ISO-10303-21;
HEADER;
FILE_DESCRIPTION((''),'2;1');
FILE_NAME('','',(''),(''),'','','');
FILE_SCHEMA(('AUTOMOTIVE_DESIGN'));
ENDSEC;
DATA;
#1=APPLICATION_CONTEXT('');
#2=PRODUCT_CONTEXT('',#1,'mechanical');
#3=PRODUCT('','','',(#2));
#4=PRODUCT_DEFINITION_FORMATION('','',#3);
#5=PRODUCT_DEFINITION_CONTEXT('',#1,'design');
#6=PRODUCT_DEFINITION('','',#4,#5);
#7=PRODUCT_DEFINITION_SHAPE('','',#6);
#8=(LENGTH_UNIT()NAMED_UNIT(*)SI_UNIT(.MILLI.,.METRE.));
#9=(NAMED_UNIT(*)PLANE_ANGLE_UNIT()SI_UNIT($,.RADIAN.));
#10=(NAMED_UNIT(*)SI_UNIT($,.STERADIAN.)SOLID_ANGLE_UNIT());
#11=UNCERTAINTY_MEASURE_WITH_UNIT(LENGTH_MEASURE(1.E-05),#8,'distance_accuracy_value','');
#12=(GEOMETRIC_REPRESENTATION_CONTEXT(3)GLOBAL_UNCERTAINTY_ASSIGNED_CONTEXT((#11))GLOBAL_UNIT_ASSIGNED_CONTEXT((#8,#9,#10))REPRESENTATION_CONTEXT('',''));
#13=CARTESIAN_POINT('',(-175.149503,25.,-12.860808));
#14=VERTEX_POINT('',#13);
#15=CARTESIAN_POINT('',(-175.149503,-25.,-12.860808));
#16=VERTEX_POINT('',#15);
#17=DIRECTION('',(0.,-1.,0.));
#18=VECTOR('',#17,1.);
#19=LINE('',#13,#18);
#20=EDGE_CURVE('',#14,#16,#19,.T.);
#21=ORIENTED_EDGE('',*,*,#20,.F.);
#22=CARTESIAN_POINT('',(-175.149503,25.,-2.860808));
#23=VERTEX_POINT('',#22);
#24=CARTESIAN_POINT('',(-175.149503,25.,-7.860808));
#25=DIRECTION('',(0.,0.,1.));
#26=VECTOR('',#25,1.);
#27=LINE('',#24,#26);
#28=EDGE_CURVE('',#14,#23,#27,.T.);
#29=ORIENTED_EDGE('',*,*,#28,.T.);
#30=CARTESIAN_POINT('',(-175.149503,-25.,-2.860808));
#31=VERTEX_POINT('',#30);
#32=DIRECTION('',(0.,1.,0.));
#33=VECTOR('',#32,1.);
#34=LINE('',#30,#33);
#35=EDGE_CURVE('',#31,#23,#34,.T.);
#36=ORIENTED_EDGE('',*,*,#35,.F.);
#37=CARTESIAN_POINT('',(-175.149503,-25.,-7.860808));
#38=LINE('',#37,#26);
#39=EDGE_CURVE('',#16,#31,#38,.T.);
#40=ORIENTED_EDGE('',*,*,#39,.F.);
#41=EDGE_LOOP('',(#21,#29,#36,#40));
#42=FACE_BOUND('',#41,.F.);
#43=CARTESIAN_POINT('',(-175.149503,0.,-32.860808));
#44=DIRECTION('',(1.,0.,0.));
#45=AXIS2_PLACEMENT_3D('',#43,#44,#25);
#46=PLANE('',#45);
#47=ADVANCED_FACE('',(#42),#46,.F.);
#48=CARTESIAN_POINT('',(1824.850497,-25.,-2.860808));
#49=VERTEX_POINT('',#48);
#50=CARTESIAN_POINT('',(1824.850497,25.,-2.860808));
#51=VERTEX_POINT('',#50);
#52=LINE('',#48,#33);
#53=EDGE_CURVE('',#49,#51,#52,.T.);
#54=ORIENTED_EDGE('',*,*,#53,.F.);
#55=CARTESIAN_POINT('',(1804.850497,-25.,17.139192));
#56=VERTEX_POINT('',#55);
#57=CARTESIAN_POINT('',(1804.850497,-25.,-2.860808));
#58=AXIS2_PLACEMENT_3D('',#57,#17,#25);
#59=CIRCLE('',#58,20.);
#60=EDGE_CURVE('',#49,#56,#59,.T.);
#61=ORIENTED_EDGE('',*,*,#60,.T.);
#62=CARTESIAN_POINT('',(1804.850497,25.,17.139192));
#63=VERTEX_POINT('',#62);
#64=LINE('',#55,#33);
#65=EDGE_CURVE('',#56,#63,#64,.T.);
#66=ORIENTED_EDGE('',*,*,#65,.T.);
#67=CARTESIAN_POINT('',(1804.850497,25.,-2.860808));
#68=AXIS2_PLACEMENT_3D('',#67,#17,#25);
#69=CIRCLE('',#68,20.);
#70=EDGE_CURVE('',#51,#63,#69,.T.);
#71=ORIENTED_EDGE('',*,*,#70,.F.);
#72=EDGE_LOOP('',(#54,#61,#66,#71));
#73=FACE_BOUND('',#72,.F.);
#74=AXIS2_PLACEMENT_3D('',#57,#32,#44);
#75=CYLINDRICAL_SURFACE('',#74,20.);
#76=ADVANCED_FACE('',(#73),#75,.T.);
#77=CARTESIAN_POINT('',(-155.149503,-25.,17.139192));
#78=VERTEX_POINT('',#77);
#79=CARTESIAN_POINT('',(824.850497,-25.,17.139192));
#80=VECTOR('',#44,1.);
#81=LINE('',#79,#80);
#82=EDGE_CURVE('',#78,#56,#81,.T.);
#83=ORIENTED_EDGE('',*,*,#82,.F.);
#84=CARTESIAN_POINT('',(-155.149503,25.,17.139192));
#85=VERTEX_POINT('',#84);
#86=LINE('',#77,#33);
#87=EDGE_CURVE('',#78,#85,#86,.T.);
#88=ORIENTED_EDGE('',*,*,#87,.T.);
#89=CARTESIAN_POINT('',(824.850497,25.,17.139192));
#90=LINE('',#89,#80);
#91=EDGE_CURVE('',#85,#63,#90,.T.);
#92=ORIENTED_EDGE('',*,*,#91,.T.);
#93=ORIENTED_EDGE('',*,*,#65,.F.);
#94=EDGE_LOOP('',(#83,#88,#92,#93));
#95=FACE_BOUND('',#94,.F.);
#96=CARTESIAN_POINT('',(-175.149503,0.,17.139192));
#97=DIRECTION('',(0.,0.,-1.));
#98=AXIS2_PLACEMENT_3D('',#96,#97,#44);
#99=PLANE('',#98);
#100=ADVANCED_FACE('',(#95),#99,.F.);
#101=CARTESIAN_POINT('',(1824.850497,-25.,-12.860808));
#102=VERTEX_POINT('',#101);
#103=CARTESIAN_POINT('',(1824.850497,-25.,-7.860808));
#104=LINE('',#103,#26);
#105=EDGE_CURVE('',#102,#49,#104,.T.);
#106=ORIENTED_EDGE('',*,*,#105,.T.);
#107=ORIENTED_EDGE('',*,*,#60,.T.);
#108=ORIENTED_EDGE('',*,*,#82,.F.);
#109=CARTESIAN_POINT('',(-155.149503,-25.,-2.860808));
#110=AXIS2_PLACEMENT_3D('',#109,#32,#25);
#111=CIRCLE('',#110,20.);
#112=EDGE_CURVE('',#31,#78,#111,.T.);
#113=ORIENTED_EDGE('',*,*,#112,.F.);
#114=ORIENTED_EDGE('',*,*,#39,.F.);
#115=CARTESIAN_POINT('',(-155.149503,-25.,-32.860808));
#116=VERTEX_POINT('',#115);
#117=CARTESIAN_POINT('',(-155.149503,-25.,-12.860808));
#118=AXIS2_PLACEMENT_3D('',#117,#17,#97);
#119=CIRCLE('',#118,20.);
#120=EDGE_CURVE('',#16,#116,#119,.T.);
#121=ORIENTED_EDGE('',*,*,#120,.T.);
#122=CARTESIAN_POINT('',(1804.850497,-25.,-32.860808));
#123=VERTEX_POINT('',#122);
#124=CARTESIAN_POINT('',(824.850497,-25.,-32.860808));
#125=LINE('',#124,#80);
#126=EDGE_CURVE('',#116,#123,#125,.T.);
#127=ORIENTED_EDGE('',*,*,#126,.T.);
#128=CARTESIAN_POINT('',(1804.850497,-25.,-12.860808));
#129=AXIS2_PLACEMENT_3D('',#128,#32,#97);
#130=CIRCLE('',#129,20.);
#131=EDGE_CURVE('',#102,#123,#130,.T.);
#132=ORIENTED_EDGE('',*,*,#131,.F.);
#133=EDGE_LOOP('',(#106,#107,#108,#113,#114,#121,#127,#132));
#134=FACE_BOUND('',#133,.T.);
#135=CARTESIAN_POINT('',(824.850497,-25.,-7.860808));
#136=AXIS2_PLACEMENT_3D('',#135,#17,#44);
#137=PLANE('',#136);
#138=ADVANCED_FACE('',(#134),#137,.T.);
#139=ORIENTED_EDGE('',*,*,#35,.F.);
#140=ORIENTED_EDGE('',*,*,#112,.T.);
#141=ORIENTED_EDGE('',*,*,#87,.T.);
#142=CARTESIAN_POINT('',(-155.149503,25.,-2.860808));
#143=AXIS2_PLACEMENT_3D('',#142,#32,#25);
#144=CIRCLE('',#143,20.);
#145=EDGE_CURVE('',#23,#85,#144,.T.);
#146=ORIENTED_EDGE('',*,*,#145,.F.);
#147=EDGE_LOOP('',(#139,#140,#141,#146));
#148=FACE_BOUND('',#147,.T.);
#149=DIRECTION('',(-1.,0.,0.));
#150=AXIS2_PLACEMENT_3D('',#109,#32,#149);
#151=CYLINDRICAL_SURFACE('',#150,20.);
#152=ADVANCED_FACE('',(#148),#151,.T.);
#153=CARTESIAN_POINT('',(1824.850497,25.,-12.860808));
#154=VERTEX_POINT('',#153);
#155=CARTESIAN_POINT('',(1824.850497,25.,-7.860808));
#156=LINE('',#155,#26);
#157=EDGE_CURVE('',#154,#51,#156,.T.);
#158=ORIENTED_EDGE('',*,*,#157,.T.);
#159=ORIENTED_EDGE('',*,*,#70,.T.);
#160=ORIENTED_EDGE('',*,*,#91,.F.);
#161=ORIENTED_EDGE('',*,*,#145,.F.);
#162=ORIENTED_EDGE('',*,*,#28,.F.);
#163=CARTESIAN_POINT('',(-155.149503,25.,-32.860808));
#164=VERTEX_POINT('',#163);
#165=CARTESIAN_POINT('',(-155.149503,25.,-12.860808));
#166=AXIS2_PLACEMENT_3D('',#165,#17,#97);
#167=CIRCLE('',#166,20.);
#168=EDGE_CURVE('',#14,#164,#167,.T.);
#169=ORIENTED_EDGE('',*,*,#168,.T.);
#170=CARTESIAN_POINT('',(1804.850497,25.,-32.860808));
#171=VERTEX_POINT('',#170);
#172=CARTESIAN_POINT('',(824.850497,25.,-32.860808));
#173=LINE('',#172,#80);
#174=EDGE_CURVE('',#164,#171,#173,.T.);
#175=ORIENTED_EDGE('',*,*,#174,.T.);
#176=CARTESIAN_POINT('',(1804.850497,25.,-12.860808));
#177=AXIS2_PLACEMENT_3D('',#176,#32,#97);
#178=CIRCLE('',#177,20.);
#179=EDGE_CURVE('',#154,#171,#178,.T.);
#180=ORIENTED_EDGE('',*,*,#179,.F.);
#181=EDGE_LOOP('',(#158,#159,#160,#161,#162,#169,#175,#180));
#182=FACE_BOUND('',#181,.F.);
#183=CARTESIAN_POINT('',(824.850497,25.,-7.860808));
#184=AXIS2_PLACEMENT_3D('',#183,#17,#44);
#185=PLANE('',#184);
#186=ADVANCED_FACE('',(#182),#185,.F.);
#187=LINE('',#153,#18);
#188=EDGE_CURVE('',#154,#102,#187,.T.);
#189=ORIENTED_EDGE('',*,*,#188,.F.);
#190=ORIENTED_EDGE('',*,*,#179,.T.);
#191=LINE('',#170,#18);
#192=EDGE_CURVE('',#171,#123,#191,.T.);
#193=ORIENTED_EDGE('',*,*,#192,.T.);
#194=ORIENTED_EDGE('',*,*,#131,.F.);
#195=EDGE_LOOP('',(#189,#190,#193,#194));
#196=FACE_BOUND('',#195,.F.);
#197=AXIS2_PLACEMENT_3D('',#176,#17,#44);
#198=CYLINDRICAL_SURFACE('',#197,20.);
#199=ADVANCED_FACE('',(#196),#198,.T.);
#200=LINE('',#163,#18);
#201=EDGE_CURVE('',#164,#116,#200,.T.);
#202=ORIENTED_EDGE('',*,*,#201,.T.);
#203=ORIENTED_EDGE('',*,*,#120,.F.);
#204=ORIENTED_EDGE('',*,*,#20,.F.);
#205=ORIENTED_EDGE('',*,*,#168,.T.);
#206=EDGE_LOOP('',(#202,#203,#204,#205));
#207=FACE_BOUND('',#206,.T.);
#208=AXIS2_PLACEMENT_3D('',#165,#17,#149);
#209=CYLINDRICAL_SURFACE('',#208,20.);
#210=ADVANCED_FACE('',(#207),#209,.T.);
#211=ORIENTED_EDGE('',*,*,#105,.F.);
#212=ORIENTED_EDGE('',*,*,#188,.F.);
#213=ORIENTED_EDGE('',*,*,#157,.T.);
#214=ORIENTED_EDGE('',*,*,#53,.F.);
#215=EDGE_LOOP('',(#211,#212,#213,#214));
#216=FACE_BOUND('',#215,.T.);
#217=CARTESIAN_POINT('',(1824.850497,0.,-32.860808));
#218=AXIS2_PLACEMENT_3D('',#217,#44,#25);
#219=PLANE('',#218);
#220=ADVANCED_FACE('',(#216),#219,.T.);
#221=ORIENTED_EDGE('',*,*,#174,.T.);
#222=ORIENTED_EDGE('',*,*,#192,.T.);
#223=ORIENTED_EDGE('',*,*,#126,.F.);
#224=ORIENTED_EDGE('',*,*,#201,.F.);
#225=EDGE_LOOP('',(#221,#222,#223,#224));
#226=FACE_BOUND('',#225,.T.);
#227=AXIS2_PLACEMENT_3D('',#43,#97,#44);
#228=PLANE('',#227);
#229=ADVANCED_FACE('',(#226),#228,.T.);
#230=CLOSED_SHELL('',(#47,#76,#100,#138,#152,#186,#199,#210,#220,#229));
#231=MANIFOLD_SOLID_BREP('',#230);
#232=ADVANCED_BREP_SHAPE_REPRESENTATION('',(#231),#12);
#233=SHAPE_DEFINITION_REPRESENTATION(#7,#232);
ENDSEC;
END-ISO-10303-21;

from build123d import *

# Parameters (mm, degrees)
F0_W     = 2000
F0_H     = 50
F1_DEPTH = 25
F2_R     = 20


with BuildPart() as f1:
    # F0 (on Front) → F1 (new body, symmetric)
    with BuildSketch(Plane.XZ):
        with Locations((824.850497, -7.860808)):
            Rectangle(F0_W, F0_H)
    extrude(amount=F1_DEPTH, both=True)

    # F2
    f2_edges = [f1.edges().sort_by_distance(p)[0] for p in [
        (1824.850497, 0, 17.139192),
        (1824.850497, 0, -32.860808),
        (-175.149503, 0, 17.139192),
        (-175.149503, 0, -32.860808),
    ]]
    fillet(f2_edges, radius=F2_R)


solid = f1.part
